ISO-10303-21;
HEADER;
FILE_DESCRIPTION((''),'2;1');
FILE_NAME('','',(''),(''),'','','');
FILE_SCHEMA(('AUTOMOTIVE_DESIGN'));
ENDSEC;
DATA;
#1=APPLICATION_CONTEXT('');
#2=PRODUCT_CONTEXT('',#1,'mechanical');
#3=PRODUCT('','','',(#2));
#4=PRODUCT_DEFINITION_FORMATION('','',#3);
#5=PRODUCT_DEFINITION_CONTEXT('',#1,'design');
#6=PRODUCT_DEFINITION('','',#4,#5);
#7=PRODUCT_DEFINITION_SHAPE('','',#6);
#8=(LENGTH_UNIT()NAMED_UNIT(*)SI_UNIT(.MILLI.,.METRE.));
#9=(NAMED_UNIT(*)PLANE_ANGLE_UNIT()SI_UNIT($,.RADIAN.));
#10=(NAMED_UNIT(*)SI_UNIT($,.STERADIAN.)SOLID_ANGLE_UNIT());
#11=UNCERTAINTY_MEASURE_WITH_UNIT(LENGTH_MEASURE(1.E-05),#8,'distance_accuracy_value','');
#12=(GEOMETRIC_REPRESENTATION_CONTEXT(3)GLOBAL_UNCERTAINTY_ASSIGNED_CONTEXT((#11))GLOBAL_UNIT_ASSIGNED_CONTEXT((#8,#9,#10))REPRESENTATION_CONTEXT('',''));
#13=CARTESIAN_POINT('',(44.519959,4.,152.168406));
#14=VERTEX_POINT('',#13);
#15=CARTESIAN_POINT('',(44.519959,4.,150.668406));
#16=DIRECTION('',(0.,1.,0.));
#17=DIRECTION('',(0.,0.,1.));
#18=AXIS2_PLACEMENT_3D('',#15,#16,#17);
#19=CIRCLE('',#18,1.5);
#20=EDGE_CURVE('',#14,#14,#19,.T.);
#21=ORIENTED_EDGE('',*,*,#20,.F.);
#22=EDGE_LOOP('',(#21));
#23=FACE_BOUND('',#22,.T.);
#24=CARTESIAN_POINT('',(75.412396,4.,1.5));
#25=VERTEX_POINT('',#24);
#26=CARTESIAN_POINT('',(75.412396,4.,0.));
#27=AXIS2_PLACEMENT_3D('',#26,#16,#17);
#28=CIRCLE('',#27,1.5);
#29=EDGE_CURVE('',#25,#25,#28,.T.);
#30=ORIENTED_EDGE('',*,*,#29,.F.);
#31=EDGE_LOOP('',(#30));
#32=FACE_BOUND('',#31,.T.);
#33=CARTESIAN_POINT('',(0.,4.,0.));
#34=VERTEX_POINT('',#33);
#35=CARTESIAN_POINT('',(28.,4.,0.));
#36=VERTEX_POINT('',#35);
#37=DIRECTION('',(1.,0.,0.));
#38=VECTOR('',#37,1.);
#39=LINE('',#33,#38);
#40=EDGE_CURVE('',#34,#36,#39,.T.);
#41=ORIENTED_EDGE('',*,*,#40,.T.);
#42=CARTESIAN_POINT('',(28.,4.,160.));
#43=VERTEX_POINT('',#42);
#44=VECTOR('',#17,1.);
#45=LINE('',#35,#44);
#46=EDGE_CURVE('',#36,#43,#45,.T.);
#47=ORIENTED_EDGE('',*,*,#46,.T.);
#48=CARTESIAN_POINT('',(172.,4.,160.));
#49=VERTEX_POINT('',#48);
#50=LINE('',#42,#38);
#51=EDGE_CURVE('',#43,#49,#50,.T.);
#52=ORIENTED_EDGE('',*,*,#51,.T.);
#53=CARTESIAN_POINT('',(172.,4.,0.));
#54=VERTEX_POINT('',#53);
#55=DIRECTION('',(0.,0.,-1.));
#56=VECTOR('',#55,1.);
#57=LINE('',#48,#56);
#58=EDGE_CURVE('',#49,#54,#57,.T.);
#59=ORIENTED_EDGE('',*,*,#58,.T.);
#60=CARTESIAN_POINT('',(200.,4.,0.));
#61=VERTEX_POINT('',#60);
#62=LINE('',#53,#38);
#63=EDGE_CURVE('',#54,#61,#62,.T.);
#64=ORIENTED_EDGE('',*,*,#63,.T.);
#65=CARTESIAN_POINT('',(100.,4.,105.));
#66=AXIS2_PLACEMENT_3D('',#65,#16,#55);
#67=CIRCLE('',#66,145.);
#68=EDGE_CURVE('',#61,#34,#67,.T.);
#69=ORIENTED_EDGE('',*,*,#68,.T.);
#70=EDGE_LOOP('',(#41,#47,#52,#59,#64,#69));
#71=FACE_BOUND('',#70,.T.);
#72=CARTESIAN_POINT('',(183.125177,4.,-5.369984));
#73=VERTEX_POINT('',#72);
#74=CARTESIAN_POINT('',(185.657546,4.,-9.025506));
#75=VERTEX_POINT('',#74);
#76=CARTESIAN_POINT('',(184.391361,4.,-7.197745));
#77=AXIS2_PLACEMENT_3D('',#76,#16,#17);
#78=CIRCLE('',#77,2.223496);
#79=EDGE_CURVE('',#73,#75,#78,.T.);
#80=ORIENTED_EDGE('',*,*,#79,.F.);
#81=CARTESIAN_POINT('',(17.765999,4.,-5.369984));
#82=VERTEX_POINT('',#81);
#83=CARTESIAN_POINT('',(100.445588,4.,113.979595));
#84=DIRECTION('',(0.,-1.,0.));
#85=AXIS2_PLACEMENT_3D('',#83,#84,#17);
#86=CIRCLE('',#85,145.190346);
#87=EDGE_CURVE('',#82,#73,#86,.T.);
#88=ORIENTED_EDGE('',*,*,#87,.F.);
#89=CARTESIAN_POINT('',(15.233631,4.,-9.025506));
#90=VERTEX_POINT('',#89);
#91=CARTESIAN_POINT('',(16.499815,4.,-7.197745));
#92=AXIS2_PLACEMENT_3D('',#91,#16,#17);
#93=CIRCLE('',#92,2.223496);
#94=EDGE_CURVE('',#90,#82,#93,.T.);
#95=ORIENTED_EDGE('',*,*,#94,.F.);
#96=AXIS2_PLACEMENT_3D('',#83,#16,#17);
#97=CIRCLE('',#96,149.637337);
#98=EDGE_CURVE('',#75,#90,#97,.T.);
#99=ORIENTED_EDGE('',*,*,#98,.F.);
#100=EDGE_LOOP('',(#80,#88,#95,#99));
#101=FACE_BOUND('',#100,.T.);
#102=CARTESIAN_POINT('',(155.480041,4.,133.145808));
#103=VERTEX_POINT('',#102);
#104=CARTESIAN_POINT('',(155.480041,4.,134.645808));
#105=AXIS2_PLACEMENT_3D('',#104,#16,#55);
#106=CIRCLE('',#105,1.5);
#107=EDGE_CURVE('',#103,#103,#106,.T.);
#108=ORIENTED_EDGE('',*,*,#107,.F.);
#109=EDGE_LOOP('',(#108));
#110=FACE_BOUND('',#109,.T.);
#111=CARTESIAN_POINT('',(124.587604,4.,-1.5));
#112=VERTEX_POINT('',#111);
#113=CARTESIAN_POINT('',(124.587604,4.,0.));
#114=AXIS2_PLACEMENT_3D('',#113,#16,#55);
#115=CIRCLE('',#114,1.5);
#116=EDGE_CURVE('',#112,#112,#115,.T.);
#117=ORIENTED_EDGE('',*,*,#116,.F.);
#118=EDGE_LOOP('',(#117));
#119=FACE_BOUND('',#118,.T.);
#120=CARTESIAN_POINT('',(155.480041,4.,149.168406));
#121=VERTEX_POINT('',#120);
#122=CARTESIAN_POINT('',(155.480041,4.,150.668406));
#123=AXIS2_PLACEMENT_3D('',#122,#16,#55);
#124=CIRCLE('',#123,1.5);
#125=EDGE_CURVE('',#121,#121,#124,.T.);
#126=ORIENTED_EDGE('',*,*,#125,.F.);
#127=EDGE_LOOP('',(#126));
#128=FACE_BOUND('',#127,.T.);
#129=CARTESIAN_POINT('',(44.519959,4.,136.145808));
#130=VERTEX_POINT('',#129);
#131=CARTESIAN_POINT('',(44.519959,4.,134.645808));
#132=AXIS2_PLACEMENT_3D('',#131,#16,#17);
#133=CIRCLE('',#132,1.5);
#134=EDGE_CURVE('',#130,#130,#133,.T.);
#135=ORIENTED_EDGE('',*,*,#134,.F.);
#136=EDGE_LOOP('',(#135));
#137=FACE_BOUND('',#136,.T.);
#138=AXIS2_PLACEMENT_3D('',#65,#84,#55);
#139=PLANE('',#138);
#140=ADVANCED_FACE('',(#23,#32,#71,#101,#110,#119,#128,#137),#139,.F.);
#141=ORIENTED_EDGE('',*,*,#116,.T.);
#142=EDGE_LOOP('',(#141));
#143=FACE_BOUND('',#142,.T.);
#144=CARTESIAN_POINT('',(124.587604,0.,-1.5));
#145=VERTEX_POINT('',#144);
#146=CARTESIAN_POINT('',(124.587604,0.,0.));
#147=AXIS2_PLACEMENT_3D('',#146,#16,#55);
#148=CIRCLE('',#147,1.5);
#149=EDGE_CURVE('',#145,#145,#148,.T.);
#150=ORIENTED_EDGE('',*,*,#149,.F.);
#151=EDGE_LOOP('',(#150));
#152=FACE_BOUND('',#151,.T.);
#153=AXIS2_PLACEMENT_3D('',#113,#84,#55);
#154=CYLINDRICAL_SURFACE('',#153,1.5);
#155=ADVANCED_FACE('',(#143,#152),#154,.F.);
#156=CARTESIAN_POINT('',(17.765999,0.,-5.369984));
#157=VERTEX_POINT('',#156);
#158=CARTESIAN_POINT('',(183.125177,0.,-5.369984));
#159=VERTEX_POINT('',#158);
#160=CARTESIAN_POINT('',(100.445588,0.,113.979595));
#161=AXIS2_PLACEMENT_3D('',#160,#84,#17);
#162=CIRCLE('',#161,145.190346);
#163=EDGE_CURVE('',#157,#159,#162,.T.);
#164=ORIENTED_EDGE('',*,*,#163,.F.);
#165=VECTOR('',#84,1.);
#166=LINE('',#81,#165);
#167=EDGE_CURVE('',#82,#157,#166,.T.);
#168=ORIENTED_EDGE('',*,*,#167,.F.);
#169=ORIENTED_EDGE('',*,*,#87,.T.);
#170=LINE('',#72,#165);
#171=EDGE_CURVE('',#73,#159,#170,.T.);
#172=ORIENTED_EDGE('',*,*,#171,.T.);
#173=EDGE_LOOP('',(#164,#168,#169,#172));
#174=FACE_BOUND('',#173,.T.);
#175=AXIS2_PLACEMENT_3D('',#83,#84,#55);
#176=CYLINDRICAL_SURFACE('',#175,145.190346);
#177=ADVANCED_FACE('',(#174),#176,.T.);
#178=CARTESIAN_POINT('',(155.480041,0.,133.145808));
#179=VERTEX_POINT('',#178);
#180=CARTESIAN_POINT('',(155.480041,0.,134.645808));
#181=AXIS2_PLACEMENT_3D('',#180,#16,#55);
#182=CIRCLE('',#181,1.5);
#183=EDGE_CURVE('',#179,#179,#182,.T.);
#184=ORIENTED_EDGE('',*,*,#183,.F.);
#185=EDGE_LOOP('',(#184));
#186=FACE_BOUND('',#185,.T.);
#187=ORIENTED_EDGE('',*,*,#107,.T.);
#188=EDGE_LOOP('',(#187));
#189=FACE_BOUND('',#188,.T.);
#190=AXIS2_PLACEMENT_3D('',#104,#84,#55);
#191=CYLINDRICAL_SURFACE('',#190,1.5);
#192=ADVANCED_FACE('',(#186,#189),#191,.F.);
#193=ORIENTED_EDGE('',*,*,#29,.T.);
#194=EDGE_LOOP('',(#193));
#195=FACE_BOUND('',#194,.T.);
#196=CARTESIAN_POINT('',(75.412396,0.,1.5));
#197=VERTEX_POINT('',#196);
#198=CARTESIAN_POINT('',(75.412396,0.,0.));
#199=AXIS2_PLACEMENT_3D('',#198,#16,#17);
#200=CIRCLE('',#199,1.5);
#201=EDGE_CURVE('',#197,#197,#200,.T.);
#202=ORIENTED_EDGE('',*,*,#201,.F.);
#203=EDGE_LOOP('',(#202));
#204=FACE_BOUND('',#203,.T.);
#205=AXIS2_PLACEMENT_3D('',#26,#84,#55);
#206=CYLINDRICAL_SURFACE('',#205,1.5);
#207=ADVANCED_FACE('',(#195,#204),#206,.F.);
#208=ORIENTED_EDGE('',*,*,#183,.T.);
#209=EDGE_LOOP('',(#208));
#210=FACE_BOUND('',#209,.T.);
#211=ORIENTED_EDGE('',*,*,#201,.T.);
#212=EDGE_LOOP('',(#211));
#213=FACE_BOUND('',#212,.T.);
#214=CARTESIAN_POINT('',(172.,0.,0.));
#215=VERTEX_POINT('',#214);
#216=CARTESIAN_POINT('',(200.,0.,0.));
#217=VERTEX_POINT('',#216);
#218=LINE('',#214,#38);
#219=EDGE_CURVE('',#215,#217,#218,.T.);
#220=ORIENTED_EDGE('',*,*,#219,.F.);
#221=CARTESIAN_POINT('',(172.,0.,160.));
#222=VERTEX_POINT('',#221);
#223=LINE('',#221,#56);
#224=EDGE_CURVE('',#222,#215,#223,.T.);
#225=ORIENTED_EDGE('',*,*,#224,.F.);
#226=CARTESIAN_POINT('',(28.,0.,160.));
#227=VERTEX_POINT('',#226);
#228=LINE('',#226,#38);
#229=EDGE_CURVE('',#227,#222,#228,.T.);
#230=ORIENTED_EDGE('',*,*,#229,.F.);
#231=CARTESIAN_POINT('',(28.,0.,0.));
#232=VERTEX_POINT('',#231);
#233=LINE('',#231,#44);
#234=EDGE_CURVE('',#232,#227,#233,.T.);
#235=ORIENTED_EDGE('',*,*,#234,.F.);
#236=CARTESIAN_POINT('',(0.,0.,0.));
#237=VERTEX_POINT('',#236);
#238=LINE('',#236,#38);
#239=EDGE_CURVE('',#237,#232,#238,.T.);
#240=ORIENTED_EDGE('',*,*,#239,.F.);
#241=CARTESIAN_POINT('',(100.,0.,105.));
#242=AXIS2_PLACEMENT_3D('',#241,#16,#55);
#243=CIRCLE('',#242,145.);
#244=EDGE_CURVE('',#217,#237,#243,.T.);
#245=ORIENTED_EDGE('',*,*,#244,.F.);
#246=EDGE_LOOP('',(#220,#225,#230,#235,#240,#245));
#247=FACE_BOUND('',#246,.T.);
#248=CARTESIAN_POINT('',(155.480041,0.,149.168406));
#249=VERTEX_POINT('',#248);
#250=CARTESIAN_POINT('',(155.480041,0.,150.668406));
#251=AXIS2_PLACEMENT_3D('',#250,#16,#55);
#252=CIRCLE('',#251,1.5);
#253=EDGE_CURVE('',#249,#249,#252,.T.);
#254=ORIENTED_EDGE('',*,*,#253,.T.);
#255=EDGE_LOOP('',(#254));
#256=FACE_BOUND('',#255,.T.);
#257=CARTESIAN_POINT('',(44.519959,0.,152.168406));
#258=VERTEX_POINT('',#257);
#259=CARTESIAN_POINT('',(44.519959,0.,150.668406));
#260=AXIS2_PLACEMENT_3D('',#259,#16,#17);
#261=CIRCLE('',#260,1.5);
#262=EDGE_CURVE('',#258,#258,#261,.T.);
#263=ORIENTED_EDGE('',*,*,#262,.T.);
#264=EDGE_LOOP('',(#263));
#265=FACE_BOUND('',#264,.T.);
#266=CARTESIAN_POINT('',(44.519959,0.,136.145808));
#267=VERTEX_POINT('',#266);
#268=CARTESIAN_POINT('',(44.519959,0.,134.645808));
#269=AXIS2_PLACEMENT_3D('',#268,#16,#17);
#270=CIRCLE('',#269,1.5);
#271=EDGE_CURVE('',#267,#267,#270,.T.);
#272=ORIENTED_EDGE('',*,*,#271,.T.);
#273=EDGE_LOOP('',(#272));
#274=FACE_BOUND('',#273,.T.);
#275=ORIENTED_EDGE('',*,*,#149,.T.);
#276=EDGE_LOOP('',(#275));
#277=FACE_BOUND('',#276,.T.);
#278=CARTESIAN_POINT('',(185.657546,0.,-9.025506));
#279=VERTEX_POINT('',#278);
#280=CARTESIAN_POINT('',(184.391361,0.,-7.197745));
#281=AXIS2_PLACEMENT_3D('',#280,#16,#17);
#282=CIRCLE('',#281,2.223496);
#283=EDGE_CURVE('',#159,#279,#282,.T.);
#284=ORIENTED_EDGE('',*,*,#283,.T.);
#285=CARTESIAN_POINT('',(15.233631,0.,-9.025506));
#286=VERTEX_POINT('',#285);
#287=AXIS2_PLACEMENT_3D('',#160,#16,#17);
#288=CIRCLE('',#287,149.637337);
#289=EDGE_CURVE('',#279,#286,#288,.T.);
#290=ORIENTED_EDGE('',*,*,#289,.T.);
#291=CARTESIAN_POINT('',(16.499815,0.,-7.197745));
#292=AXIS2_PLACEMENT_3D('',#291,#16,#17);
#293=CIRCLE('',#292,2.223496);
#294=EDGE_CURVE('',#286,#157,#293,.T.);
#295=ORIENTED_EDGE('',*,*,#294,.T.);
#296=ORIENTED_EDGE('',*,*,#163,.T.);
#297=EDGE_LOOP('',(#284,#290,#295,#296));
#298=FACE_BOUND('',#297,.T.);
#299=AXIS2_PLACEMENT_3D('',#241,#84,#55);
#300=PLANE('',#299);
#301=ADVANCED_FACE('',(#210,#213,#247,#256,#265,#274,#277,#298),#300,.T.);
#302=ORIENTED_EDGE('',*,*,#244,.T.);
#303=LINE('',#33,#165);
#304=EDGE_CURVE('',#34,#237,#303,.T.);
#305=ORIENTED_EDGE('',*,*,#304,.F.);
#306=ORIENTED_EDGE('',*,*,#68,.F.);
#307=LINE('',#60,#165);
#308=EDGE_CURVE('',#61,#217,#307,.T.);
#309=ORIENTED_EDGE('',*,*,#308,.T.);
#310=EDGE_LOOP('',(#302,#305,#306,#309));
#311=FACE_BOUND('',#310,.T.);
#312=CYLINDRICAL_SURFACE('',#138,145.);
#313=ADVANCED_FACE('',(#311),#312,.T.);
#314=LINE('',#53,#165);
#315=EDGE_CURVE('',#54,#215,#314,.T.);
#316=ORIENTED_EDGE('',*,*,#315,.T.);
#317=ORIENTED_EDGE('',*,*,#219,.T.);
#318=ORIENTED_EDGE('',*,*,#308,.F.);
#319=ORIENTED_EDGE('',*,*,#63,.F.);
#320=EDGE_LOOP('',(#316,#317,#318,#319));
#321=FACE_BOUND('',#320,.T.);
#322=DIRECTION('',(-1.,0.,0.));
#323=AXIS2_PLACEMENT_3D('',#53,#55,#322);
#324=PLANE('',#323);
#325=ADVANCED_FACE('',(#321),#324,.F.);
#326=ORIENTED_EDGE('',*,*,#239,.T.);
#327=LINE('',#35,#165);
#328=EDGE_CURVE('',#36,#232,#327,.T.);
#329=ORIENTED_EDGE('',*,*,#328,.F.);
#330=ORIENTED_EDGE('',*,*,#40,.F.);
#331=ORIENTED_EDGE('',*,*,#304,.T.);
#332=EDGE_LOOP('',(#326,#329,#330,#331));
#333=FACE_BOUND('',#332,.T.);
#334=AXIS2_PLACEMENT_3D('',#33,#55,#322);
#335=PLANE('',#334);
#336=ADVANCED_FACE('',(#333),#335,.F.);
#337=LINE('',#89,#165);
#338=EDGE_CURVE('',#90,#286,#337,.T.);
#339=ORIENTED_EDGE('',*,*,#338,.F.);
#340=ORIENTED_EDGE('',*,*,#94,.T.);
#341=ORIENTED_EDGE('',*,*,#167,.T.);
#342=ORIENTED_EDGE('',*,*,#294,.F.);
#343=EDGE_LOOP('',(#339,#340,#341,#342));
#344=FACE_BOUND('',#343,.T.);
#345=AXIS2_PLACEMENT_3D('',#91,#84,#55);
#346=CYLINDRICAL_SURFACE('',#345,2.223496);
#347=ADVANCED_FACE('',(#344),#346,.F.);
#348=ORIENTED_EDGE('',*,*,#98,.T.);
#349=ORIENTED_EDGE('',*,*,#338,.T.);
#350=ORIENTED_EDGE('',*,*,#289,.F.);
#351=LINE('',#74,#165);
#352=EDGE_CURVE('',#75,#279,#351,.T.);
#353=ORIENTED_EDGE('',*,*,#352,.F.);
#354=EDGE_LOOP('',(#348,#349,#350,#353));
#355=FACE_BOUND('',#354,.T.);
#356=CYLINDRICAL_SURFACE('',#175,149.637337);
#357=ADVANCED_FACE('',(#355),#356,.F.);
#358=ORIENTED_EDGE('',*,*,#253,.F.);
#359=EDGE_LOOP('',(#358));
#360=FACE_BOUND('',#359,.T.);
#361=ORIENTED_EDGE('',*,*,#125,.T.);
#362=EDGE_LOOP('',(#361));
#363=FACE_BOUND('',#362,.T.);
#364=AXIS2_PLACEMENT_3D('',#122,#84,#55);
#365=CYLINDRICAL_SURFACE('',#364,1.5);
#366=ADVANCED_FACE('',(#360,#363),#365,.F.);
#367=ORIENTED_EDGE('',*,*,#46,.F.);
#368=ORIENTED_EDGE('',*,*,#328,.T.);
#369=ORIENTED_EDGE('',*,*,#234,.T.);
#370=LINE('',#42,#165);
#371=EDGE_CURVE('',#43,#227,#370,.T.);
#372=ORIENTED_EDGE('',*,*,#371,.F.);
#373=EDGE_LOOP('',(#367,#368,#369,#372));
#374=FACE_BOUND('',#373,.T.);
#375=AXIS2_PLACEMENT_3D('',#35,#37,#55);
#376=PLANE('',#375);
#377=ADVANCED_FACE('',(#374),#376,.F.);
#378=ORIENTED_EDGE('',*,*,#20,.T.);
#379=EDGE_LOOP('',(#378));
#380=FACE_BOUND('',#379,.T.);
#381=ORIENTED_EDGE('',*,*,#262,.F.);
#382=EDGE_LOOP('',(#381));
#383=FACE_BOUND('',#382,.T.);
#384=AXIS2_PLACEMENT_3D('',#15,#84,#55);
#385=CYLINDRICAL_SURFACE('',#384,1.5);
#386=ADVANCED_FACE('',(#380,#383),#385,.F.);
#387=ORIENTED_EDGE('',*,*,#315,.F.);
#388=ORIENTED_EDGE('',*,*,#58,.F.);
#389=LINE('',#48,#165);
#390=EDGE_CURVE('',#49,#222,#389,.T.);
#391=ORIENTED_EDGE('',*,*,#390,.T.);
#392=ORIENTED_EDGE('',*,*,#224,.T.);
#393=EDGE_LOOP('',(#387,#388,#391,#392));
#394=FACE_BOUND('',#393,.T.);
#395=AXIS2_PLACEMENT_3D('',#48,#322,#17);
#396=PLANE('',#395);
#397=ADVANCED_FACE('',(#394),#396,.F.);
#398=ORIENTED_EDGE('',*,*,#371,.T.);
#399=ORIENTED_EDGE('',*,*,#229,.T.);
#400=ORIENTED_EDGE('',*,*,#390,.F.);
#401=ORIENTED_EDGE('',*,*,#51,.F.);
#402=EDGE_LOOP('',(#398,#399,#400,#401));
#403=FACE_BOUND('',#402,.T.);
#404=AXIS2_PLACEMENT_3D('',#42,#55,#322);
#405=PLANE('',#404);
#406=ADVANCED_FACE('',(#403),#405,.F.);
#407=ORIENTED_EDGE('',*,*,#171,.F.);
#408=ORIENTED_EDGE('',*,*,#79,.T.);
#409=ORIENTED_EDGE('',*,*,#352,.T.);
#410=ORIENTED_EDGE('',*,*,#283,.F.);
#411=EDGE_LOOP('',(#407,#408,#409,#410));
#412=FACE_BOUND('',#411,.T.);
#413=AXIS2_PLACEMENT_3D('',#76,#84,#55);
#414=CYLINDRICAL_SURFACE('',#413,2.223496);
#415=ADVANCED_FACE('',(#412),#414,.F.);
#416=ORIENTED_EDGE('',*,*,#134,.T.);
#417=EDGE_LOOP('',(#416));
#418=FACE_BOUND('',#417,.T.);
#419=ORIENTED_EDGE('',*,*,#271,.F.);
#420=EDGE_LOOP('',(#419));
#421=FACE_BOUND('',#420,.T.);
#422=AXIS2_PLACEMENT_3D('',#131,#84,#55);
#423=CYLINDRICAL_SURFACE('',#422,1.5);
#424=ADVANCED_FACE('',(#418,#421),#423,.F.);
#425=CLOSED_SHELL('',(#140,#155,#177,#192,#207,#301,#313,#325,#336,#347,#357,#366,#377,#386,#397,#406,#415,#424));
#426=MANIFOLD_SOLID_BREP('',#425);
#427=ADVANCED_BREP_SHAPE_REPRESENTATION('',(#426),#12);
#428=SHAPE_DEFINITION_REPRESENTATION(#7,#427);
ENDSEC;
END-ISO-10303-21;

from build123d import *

# Parameters (mm, degrees)
ESQUISSE2_R        = 1.5
BOSS_EXTRU_1_DEPTH = 4


with BuildPart() as part:
    # Esquisse2 → Boss.-Extru.1 (new body)
    with BuildSketch(Plane(origin=(0, 0, 0), x_dir=(1, 0, 0), z_dir=(0, 1, 0))):
        with BuildLine():
            Line((0, 0), (28, 0))
            Line((28, 0), (28, -160))
            Line((28, -160), (172, -160))
            Line((172, -160), (172, 0))
            Line((172, 0), (200, 0))
            ThreePointArc((200, 0), (100, 40), (0, 0))
        make_face()
        with Locations(Location((44.519959109, -134.645808038, 0), (0, 0, 270))):
            Circle(ESQUISSE2_R, mode=Mode.SUBTRACT)
        with Locations(Location((44.519959109, -150.668405535, 0), (0, 0, 270))):
            Circle(ESQUISSE2_R, mode=Mode.SUBTRACT)
        with Locations(Location((155.480040891, -150.668405535, 0), (0, 0, 90))):
            Circle(ESQUISSE2_R, mode=Mode.SUBTRACT)
        with Locations(Location((155.480040891, -134.645808038, 0), (0, 0, 90))):
            Circle(ESQUISSE2_R, mode=Mode.SUBTRACT)
        with Locations(Location((75.412395646, 0, 0), (0, 0, 270))):
            Circle(ESQUISSE2_R, mode=Mode.SUBTRACT)
        with Locations(Location((124.587604354, 0, 0), (0, 0, 90))):
            Circle(ESQUISSE2_R, mode=Mode.SUBTRACT)
        with BuildLine():
            ThreePointArc((185.657545612, 9.025506382), (100.445588201, 35.657742009), (15.23363079, 9.025506382))
            ThreePointArc((15.23363079, 9.025506382), (14.672053701, 5.931560858), (17.765999225, 5.369983769))
            ThreePointArc((17.765999225, 5.369983769), (100.445588201, 31.210750277), (183.125177177, 5.369983769))
            ThreePointArc((183.125177177, 5.369983769), (186.219122701, 5.931560858), (185.657545612, 9.025506382))
        make_face(mode=Mode.SUBTRACT)
    extrude(amount=BOSS_EXTRU_1_DEPTH)


solid = part.part
